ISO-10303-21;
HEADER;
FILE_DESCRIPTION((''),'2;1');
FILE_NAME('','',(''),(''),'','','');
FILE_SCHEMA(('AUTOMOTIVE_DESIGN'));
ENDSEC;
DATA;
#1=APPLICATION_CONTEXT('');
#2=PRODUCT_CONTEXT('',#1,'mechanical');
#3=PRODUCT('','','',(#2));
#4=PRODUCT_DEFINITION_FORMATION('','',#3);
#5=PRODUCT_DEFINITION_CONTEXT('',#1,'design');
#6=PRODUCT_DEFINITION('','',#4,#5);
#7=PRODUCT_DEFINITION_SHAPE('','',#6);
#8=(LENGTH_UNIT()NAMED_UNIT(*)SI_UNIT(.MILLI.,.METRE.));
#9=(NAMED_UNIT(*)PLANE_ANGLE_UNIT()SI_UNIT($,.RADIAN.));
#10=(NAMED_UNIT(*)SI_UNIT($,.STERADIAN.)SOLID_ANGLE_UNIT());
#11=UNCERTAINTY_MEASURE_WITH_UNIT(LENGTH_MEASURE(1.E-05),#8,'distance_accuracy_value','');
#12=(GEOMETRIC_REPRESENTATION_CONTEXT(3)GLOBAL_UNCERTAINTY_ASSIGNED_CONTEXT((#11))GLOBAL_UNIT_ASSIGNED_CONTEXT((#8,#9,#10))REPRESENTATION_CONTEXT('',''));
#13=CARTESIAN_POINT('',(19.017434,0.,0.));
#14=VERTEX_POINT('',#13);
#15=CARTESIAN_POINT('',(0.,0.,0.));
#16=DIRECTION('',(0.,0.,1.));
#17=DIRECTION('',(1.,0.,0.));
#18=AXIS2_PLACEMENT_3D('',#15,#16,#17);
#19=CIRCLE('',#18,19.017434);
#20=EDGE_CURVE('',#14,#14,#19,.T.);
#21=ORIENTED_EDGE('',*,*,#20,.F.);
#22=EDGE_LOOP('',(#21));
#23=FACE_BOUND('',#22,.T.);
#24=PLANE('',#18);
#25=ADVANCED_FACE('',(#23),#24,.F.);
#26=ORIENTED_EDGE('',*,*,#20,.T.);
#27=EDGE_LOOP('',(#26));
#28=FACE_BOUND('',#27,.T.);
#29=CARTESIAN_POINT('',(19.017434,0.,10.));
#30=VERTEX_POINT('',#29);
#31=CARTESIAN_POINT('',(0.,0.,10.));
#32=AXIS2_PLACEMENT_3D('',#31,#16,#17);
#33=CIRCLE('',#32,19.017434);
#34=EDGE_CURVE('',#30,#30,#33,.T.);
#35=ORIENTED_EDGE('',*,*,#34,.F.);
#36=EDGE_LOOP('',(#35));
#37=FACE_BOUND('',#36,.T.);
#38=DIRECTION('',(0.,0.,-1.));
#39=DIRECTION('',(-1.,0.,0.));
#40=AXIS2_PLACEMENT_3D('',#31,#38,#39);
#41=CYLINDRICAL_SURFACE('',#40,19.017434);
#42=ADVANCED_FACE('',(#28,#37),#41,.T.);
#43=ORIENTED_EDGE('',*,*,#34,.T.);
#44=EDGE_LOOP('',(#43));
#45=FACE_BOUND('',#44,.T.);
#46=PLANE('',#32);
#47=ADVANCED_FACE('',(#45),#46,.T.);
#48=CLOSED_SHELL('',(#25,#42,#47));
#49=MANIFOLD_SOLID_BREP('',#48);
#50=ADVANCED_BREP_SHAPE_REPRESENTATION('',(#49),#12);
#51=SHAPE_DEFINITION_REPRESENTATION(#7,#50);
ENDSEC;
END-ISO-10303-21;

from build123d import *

# Parameters (mm, degrees)
SKETCH_1_R      = 19.017433949
EXTRUDE_1_DEPTH = 10


with BuildPart() as part:
    # Эскиз1 → Бобышка-Вытянуть1 (new body)
    with BuildSketch(Plane.XY):
        Circle(SKETCH_1_R)
    extrude(amount=EXTRUDE_1_DEPTH)


solid = part.part
